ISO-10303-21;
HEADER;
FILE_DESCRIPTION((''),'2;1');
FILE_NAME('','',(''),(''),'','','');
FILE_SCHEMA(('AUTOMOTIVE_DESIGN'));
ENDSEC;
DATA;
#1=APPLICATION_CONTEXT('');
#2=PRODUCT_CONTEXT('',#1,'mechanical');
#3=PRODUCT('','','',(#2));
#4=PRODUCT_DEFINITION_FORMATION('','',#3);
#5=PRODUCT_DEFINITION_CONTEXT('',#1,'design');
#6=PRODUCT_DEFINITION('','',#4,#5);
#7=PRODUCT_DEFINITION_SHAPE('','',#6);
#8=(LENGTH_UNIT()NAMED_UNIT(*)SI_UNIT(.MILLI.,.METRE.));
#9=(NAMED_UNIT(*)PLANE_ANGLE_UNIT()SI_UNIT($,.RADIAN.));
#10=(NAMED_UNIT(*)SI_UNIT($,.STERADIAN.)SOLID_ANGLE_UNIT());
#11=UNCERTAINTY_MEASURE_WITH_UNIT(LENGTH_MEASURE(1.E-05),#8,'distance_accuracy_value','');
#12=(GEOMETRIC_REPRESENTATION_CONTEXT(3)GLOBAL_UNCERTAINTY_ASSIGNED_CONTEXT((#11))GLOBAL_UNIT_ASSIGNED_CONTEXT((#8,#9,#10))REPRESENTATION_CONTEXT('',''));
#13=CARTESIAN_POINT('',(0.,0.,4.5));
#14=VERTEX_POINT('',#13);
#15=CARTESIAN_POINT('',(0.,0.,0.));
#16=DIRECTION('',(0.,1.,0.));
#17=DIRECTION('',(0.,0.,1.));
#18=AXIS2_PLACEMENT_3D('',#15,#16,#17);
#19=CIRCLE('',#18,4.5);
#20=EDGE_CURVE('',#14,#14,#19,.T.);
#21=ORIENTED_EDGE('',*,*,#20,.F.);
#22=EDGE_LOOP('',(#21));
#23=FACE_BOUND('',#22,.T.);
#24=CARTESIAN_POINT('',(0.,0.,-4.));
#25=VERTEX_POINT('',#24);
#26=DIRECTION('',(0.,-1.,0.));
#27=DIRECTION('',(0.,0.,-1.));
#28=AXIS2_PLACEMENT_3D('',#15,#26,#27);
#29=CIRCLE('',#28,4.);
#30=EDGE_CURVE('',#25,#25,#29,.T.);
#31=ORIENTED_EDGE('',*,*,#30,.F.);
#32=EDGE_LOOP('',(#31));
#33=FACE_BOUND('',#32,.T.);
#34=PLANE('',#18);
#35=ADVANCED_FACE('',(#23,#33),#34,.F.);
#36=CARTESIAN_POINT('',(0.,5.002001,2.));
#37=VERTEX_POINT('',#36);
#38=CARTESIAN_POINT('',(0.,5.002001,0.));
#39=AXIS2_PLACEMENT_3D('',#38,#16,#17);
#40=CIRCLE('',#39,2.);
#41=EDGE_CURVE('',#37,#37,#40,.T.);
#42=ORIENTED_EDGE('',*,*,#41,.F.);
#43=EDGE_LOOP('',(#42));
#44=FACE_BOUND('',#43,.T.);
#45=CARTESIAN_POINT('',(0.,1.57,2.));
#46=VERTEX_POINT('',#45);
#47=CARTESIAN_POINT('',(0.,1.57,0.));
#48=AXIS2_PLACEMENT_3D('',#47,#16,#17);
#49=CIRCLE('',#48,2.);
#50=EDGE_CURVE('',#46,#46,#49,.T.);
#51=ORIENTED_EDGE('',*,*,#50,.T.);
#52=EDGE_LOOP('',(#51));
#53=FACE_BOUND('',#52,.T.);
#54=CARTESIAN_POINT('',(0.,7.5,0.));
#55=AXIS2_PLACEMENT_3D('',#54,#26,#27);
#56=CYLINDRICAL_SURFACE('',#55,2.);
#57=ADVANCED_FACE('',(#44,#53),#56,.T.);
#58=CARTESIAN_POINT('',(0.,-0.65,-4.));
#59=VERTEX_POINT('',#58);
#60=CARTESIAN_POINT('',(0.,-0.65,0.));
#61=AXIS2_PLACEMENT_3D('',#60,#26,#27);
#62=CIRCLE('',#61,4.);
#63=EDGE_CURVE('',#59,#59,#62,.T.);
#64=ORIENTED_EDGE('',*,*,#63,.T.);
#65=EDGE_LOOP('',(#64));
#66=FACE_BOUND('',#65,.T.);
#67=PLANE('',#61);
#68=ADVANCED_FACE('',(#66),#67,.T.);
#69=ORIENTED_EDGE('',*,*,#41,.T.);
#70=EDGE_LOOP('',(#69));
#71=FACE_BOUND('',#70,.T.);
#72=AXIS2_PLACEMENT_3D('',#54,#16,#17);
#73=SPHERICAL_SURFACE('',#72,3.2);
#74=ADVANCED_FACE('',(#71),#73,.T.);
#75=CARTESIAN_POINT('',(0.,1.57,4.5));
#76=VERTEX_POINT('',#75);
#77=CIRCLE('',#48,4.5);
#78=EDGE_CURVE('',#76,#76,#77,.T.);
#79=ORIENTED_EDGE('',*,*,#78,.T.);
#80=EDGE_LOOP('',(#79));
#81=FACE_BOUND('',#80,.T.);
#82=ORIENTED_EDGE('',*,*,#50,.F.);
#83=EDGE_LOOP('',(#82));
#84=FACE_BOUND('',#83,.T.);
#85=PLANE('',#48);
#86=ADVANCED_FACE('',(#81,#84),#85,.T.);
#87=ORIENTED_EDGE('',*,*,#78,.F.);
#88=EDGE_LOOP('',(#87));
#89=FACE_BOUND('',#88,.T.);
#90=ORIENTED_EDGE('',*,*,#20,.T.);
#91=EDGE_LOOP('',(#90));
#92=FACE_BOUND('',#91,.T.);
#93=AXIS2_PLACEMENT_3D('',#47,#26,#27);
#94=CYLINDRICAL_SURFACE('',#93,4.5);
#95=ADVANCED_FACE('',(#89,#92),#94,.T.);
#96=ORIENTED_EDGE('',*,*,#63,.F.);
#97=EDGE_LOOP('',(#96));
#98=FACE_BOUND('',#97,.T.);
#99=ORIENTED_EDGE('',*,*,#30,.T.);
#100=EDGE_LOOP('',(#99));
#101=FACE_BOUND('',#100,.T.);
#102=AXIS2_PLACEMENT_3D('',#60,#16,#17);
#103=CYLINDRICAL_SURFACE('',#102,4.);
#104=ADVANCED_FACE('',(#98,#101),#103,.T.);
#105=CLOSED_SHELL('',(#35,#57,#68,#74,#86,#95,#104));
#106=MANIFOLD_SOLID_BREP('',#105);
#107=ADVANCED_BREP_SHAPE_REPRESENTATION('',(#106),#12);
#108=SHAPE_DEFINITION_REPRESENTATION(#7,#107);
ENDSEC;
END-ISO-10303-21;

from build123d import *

# Parameters (mm, degrees)
SKETCH1_R           = 4.5
BOSS_EXTRUDE1_DEPTH = 1.57
SKETCH2_R           = 2
BOSS_EXTRUDE2_DEPTH = 5.93
SKETCH4_R           = 4
BOSS_EXTRUDE3_DEPTH = 0.65


with BuildPart() as part:
    # Sketch1 → Boss-Extrude1 (new body)
    with BuildSketch(Plane(origin=(0, 0, 0), x_dir=(1, 0, 0), z_dir=(0, 1, 0))):
        with Locations(Location((0, 0, 0), (0, 0, 270))):
            Circle(SKETCH1_R)
    extrude(amount=BOSS_EXTRUDE1_DEPTH)

    # Sketch2 → Boss-Extrude2 (add)
    with BuildSketch(Plane(origin=(0, 1.57, 0), x_dir=(1, 0, 0), z_dir=(0, 1, 0))):
        with Locations(Location((0, 0, 0), (0, 0, 270))):
            Circle(SKETCH2_R)
    extrude(amount=BOSS_EXTRUDE2_DEPTH)

    # Sketch3 → Revolve1 (revolve)
    with BuildSketch(Plane(origin=(0, 7.5, 0), x_dir=(1, 0, 0), z_dir=(0, 1, 0))):
        with BuildLine():
            Line((0, 3.2), (0, -3.2))
            ThreePointArc((0, -3.2), (3.2, 0), (0, 3.2))
        make_face()
    revolve(axis=Axis((0, 7.5, -8.311953328), (0, 0, 1)))

    # Sketch4 → Boss-Extrude3 (add)
    with BuildSketch(Plane.XZ):
        with Locations(Location((0, 0, 0), (0, 0, 270))):
            Circle(SKETCH4_R)
    extrude(amount=BOSS_EXTRUDE3_DEPTH)


solid = part.part
